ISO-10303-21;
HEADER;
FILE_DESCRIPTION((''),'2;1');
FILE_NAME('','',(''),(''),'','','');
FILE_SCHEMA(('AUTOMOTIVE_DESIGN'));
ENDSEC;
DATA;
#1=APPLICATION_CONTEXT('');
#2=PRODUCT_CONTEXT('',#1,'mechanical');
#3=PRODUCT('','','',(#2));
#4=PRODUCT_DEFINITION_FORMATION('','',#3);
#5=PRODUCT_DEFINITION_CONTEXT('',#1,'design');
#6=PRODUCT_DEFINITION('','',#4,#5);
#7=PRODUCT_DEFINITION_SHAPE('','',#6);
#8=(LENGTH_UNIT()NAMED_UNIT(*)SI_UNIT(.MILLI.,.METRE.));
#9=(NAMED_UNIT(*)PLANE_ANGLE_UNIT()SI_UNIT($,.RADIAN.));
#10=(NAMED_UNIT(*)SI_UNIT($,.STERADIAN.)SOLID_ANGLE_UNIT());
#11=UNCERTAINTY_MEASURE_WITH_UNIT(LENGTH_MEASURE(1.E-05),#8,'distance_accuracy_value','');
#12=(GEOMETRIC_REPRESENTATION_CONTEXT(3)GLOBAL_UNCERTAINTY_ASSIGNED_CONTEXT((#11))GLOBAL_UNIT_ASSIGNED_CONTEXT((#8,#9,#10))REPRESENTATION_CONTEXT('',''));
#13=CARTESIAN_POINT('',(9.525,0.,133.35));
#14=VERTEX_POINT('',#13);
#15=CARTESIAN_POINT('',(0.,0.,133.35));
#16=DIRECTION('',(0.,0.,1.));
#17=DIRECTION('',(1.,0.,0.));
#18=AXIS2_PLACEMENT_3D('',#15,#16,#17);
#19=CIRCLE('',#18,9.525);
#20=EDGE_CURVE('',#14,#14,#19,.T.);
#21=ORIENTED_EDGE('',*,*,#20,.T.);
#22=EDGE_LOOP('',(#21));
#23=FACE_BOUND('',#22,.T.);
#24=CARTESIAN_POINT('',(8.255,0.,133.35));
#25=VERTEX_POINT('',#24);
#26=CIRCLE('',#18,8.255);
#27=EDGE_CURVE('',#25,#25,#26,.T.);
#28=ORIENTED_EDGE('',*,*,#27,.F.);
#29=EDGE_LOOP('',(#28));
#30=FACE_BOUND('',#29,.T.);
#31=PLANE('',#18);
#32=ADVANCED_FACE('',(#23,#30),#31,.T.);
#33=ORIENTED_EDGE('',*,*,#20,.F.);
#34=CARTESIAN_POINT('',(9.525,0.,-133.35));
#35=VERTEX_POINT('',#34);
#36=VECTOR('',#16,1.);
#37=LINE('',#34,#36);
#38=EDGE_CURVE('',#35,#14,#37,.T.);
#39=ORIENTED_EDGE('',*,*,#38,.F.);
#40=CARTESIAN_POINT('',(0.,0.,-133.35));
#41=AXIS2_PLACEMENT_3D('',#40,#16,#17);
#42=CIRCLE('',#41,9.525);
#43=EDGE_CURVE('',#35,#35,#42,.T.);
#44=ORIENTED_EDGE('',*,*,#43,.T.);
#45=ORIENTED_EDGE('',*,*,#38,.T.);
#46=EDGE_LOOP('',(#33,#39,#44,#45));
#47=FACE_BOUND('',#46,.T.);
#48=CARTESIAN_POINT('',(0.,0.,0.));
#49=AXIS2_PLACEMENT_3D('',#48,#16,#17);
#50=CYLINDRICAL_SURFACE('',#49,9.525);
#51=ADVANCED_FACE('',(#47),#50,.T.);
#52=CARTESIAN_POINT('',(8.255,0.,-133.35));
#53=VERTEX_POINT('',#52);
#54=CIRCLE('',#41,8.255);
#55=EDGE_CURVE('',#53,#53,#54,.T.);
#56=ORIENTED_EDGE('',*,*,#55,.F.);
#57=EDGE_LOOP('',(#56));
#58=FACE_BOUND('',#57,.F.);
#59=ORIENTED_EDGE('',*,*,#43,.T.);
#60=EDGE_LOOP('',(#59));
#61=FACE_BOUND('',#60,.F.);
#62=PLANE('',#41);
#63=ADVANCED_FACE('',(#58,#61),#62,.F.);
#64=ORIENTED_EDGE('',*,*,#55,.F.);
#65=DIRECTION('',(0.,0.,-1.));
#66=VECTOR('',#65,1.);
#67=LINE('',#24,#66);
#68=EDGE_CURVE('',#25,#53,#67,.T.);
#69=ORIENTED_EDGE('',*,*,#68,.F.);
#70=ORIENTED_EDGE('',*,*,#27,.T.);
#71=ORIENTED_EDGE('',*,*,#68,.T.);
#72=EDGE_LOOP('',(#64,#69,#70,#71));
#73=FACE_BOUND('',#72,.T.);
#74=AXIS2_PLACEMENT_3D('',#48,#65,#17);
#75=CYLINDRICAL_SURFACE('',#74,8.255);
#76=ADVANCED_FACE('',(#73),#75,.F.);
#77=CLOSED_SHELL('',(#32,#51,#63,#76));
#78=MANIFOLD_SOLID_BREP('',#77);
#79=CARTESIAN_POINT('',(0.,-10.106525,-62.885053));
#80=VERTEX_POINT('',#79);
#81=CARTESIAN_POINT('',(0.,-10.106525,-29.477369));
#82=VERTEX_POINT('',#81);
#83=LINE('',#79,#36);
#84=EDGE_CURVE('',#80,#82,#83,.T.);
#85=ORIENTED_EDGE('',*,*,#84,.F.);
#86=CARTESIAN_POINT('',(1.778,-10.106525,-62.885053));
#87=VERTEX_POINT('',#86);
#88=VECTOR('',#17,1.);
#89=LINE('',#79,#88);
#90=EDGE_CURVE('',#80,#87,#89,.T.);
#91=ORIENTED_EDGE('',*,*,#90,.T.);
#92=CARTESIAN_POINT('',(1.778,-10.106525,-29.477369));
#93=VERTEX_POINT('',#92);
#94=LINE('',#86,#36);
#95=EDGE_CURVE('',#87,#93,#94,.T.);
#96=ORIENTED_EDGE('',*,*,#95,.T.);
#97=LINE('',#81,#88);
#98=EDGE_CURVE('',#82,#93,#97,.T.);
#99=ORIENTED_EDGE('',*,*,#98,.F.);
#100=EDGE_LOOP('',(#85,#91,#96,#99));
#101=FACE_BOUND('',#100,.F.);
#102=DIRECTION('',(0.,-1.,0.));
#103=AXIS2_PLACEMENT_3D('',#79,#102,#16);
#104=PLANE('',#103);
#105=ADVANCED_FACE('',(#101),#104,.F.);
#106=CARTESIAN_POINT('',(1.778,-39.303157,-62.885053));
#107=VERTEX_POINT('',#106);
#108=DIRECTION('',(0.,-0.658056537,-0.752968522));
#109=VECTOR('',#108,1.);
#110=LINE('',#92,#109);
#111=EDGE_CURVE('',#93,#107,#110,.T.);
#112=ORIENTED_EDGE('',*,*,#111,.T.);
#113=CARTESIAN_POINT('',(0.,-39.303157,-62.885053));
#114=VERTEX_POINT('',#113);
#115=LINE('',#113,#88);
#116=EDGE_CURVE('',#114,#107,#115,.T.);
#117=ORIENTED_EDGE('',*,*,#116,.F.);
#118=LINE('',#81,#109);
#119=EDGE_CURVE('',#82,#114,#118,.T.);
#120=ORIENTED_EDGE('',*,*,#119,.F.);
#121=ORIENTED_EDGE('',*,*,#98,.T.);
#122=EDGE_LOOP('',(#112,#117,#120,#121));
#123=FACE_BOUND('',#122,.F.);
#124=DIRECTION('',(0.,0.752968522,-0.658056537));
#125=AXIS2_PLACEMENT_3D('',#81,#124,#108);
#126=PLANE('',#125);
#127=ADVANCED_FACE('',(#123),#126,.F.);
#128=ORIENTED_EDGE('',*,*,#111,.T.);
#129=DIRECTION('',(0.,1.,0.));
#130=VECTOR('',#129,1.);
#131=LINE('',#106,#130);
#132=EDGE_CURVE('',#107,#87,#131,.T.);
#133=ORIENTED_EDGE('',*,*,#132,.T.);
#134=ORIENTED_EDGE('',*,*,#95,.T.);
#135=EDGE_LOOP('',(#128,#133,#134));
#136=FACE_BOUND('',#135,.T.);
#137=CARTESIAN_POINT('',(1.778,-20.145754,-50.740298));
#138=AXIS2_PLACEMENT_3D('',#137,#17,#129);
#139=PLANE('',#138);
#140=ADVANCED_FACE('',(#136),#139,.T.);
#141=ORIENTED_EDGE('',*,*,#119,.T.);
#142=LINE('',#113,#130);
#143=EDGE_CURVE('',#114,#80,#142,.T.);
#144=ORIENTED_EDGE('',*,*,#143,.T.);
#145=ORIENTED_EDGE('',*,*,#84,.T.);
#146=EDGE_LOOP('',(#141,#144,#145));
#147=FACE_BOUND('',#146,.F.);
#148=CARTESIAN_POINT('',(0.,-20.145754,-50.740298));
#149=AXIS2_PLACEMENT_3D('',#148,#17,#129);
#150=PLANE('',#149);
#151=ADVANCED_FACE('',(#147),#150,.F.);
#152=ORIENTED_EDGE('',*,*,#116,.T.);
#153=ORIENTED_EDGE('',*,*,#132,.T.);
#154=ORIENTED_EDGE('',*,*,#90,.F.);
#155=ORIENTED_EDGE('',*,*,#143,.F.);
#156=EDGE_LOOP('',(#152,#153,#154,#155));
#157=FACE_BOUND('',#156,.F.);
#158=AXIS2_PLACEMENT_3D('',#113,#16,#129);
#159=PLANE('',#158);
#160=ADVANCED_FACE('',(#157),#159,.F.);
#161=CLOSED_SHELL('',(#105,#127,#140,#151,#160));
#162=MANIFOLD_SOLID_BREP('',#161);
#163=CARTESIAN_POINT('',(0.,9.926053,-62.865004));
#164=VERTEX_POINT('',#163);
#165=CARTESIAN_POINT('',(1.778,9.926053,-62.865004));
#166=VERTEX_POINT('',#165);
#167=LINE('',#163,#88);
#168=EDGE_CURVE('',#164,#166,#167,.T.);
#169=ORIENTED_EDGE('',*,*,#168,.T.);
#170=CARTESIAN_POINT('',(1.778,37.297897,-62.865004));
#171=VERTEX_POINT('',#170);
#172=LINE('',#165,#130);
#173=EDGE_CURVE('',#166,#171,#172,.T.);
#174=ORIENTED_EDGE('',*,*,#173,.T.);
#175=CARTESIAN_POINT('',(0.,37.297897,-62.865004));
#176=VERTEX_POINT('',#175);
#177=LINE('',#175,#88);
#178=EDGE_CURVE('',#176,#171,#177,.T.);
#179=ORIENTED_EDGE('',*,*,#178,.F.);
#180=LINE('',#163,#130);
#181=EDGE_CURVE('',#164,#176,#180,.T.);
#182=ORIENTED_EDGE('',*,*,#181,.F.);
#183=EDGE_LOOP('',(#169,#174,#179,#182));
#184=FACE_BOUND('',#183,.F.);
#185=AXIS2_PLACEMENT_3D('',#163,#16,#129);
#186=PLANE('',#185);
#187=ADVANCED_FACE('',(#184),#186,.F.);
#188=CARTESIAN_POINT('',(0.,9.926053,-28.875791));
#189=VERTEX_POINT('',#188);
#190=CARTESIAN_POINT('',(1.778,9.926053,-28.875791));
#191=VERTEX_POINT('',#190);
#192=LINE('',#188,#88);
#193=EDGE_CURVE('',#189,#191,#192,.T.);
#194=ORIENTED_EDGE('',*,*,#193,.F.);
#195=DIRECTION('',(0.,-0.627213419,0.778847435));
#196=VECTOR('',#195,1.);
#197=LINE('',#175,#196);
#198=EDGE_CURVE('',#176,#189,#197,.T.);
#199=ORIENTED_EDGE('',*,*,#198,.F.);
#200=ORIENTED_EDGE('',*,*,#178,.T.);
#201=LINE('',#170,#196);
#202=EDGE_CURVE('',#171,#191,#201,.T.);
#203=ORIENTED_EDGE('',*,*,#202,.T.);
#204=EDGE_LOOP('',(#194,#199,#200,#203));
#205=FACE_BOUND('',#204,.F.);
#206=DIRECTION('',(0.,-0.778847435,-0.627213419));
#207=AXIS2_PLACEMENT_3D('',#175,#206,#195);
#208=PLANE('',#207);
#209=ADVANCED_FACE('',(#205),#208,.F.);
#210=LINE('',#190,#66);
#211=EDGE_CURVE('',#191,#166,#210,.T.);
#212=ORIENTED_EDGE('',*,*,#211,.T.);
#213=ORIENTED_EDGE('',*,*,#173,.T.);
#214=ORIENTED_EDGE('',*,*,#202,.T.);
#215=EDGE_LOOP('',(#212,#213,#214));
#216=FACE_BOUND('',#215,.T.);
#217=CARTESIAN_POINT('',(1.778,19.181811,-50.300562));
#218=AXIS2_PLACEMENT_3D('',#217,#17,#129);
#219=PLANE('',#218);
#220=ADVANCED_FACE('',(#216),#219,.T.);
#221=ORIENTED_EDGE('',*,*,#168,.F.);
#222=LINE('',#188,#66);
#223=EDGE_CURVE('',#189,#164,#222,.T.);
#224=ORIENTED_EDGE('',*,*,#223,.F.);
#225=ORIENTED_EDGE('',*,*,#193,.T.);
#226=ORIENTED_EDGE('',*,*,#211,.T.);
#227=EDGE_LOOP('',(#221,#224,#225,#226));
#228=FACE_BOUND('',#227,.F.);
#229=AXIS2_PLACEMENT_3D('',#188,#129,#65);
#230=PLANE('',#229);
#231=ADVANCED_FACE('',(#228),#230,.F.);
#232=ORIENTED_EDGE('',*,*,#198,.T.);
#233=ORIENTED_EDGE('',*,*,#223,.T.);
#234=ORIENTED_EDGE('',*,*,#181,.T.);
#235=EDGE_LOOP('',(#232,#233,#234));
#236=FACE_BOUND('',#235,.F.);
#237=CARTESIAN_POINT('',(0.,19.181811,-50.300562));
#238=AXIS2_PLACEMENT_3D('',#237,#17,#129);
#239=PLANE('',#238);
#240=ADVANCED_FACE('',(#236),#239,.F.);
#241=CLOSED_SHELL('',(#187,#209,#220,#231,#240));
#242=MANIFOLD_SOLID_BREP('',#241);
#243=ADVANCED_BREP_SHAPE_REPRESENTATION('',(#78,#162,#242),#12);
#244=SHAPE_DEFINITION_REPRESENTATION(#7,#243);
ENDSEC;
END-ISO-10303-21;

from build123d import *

# Parameters (mm, degrees)
F0_R     = 9.525
F0_R_2   = 8.255
F1_DEPTH = 133.35
F4_DEPTH = 1.778


with BuildPart() as f1:
    # F0 (on Top) → F1 (new body, symmetric)
    with BuildSketch(Plane.XY):
        Circle(F0_R)
        Circle(F0_R_2, mode=Mode.SUBTRACT)
    extrude(amount=F1_DEPTH, both=True)


with BuildPart() as f4:
    # F2 (on Right) + F3 (on Right) → F4 (new body)
    with BuildSketch(Plane.YZ):
        Polygon((9.926053, -28.875791), (9.926053, -62.865004), (37.297897, -62.865004), align=None)
    with BuildSketch(Plane.YZ):
        Polygon((-39.303157, -62.885053), (-10.106525, -62.885053), (-10.106525, -29.477369), align=None)
    extrude(amount=F4_DEPTH)


solid = Compound([f1.part, f4.part])
